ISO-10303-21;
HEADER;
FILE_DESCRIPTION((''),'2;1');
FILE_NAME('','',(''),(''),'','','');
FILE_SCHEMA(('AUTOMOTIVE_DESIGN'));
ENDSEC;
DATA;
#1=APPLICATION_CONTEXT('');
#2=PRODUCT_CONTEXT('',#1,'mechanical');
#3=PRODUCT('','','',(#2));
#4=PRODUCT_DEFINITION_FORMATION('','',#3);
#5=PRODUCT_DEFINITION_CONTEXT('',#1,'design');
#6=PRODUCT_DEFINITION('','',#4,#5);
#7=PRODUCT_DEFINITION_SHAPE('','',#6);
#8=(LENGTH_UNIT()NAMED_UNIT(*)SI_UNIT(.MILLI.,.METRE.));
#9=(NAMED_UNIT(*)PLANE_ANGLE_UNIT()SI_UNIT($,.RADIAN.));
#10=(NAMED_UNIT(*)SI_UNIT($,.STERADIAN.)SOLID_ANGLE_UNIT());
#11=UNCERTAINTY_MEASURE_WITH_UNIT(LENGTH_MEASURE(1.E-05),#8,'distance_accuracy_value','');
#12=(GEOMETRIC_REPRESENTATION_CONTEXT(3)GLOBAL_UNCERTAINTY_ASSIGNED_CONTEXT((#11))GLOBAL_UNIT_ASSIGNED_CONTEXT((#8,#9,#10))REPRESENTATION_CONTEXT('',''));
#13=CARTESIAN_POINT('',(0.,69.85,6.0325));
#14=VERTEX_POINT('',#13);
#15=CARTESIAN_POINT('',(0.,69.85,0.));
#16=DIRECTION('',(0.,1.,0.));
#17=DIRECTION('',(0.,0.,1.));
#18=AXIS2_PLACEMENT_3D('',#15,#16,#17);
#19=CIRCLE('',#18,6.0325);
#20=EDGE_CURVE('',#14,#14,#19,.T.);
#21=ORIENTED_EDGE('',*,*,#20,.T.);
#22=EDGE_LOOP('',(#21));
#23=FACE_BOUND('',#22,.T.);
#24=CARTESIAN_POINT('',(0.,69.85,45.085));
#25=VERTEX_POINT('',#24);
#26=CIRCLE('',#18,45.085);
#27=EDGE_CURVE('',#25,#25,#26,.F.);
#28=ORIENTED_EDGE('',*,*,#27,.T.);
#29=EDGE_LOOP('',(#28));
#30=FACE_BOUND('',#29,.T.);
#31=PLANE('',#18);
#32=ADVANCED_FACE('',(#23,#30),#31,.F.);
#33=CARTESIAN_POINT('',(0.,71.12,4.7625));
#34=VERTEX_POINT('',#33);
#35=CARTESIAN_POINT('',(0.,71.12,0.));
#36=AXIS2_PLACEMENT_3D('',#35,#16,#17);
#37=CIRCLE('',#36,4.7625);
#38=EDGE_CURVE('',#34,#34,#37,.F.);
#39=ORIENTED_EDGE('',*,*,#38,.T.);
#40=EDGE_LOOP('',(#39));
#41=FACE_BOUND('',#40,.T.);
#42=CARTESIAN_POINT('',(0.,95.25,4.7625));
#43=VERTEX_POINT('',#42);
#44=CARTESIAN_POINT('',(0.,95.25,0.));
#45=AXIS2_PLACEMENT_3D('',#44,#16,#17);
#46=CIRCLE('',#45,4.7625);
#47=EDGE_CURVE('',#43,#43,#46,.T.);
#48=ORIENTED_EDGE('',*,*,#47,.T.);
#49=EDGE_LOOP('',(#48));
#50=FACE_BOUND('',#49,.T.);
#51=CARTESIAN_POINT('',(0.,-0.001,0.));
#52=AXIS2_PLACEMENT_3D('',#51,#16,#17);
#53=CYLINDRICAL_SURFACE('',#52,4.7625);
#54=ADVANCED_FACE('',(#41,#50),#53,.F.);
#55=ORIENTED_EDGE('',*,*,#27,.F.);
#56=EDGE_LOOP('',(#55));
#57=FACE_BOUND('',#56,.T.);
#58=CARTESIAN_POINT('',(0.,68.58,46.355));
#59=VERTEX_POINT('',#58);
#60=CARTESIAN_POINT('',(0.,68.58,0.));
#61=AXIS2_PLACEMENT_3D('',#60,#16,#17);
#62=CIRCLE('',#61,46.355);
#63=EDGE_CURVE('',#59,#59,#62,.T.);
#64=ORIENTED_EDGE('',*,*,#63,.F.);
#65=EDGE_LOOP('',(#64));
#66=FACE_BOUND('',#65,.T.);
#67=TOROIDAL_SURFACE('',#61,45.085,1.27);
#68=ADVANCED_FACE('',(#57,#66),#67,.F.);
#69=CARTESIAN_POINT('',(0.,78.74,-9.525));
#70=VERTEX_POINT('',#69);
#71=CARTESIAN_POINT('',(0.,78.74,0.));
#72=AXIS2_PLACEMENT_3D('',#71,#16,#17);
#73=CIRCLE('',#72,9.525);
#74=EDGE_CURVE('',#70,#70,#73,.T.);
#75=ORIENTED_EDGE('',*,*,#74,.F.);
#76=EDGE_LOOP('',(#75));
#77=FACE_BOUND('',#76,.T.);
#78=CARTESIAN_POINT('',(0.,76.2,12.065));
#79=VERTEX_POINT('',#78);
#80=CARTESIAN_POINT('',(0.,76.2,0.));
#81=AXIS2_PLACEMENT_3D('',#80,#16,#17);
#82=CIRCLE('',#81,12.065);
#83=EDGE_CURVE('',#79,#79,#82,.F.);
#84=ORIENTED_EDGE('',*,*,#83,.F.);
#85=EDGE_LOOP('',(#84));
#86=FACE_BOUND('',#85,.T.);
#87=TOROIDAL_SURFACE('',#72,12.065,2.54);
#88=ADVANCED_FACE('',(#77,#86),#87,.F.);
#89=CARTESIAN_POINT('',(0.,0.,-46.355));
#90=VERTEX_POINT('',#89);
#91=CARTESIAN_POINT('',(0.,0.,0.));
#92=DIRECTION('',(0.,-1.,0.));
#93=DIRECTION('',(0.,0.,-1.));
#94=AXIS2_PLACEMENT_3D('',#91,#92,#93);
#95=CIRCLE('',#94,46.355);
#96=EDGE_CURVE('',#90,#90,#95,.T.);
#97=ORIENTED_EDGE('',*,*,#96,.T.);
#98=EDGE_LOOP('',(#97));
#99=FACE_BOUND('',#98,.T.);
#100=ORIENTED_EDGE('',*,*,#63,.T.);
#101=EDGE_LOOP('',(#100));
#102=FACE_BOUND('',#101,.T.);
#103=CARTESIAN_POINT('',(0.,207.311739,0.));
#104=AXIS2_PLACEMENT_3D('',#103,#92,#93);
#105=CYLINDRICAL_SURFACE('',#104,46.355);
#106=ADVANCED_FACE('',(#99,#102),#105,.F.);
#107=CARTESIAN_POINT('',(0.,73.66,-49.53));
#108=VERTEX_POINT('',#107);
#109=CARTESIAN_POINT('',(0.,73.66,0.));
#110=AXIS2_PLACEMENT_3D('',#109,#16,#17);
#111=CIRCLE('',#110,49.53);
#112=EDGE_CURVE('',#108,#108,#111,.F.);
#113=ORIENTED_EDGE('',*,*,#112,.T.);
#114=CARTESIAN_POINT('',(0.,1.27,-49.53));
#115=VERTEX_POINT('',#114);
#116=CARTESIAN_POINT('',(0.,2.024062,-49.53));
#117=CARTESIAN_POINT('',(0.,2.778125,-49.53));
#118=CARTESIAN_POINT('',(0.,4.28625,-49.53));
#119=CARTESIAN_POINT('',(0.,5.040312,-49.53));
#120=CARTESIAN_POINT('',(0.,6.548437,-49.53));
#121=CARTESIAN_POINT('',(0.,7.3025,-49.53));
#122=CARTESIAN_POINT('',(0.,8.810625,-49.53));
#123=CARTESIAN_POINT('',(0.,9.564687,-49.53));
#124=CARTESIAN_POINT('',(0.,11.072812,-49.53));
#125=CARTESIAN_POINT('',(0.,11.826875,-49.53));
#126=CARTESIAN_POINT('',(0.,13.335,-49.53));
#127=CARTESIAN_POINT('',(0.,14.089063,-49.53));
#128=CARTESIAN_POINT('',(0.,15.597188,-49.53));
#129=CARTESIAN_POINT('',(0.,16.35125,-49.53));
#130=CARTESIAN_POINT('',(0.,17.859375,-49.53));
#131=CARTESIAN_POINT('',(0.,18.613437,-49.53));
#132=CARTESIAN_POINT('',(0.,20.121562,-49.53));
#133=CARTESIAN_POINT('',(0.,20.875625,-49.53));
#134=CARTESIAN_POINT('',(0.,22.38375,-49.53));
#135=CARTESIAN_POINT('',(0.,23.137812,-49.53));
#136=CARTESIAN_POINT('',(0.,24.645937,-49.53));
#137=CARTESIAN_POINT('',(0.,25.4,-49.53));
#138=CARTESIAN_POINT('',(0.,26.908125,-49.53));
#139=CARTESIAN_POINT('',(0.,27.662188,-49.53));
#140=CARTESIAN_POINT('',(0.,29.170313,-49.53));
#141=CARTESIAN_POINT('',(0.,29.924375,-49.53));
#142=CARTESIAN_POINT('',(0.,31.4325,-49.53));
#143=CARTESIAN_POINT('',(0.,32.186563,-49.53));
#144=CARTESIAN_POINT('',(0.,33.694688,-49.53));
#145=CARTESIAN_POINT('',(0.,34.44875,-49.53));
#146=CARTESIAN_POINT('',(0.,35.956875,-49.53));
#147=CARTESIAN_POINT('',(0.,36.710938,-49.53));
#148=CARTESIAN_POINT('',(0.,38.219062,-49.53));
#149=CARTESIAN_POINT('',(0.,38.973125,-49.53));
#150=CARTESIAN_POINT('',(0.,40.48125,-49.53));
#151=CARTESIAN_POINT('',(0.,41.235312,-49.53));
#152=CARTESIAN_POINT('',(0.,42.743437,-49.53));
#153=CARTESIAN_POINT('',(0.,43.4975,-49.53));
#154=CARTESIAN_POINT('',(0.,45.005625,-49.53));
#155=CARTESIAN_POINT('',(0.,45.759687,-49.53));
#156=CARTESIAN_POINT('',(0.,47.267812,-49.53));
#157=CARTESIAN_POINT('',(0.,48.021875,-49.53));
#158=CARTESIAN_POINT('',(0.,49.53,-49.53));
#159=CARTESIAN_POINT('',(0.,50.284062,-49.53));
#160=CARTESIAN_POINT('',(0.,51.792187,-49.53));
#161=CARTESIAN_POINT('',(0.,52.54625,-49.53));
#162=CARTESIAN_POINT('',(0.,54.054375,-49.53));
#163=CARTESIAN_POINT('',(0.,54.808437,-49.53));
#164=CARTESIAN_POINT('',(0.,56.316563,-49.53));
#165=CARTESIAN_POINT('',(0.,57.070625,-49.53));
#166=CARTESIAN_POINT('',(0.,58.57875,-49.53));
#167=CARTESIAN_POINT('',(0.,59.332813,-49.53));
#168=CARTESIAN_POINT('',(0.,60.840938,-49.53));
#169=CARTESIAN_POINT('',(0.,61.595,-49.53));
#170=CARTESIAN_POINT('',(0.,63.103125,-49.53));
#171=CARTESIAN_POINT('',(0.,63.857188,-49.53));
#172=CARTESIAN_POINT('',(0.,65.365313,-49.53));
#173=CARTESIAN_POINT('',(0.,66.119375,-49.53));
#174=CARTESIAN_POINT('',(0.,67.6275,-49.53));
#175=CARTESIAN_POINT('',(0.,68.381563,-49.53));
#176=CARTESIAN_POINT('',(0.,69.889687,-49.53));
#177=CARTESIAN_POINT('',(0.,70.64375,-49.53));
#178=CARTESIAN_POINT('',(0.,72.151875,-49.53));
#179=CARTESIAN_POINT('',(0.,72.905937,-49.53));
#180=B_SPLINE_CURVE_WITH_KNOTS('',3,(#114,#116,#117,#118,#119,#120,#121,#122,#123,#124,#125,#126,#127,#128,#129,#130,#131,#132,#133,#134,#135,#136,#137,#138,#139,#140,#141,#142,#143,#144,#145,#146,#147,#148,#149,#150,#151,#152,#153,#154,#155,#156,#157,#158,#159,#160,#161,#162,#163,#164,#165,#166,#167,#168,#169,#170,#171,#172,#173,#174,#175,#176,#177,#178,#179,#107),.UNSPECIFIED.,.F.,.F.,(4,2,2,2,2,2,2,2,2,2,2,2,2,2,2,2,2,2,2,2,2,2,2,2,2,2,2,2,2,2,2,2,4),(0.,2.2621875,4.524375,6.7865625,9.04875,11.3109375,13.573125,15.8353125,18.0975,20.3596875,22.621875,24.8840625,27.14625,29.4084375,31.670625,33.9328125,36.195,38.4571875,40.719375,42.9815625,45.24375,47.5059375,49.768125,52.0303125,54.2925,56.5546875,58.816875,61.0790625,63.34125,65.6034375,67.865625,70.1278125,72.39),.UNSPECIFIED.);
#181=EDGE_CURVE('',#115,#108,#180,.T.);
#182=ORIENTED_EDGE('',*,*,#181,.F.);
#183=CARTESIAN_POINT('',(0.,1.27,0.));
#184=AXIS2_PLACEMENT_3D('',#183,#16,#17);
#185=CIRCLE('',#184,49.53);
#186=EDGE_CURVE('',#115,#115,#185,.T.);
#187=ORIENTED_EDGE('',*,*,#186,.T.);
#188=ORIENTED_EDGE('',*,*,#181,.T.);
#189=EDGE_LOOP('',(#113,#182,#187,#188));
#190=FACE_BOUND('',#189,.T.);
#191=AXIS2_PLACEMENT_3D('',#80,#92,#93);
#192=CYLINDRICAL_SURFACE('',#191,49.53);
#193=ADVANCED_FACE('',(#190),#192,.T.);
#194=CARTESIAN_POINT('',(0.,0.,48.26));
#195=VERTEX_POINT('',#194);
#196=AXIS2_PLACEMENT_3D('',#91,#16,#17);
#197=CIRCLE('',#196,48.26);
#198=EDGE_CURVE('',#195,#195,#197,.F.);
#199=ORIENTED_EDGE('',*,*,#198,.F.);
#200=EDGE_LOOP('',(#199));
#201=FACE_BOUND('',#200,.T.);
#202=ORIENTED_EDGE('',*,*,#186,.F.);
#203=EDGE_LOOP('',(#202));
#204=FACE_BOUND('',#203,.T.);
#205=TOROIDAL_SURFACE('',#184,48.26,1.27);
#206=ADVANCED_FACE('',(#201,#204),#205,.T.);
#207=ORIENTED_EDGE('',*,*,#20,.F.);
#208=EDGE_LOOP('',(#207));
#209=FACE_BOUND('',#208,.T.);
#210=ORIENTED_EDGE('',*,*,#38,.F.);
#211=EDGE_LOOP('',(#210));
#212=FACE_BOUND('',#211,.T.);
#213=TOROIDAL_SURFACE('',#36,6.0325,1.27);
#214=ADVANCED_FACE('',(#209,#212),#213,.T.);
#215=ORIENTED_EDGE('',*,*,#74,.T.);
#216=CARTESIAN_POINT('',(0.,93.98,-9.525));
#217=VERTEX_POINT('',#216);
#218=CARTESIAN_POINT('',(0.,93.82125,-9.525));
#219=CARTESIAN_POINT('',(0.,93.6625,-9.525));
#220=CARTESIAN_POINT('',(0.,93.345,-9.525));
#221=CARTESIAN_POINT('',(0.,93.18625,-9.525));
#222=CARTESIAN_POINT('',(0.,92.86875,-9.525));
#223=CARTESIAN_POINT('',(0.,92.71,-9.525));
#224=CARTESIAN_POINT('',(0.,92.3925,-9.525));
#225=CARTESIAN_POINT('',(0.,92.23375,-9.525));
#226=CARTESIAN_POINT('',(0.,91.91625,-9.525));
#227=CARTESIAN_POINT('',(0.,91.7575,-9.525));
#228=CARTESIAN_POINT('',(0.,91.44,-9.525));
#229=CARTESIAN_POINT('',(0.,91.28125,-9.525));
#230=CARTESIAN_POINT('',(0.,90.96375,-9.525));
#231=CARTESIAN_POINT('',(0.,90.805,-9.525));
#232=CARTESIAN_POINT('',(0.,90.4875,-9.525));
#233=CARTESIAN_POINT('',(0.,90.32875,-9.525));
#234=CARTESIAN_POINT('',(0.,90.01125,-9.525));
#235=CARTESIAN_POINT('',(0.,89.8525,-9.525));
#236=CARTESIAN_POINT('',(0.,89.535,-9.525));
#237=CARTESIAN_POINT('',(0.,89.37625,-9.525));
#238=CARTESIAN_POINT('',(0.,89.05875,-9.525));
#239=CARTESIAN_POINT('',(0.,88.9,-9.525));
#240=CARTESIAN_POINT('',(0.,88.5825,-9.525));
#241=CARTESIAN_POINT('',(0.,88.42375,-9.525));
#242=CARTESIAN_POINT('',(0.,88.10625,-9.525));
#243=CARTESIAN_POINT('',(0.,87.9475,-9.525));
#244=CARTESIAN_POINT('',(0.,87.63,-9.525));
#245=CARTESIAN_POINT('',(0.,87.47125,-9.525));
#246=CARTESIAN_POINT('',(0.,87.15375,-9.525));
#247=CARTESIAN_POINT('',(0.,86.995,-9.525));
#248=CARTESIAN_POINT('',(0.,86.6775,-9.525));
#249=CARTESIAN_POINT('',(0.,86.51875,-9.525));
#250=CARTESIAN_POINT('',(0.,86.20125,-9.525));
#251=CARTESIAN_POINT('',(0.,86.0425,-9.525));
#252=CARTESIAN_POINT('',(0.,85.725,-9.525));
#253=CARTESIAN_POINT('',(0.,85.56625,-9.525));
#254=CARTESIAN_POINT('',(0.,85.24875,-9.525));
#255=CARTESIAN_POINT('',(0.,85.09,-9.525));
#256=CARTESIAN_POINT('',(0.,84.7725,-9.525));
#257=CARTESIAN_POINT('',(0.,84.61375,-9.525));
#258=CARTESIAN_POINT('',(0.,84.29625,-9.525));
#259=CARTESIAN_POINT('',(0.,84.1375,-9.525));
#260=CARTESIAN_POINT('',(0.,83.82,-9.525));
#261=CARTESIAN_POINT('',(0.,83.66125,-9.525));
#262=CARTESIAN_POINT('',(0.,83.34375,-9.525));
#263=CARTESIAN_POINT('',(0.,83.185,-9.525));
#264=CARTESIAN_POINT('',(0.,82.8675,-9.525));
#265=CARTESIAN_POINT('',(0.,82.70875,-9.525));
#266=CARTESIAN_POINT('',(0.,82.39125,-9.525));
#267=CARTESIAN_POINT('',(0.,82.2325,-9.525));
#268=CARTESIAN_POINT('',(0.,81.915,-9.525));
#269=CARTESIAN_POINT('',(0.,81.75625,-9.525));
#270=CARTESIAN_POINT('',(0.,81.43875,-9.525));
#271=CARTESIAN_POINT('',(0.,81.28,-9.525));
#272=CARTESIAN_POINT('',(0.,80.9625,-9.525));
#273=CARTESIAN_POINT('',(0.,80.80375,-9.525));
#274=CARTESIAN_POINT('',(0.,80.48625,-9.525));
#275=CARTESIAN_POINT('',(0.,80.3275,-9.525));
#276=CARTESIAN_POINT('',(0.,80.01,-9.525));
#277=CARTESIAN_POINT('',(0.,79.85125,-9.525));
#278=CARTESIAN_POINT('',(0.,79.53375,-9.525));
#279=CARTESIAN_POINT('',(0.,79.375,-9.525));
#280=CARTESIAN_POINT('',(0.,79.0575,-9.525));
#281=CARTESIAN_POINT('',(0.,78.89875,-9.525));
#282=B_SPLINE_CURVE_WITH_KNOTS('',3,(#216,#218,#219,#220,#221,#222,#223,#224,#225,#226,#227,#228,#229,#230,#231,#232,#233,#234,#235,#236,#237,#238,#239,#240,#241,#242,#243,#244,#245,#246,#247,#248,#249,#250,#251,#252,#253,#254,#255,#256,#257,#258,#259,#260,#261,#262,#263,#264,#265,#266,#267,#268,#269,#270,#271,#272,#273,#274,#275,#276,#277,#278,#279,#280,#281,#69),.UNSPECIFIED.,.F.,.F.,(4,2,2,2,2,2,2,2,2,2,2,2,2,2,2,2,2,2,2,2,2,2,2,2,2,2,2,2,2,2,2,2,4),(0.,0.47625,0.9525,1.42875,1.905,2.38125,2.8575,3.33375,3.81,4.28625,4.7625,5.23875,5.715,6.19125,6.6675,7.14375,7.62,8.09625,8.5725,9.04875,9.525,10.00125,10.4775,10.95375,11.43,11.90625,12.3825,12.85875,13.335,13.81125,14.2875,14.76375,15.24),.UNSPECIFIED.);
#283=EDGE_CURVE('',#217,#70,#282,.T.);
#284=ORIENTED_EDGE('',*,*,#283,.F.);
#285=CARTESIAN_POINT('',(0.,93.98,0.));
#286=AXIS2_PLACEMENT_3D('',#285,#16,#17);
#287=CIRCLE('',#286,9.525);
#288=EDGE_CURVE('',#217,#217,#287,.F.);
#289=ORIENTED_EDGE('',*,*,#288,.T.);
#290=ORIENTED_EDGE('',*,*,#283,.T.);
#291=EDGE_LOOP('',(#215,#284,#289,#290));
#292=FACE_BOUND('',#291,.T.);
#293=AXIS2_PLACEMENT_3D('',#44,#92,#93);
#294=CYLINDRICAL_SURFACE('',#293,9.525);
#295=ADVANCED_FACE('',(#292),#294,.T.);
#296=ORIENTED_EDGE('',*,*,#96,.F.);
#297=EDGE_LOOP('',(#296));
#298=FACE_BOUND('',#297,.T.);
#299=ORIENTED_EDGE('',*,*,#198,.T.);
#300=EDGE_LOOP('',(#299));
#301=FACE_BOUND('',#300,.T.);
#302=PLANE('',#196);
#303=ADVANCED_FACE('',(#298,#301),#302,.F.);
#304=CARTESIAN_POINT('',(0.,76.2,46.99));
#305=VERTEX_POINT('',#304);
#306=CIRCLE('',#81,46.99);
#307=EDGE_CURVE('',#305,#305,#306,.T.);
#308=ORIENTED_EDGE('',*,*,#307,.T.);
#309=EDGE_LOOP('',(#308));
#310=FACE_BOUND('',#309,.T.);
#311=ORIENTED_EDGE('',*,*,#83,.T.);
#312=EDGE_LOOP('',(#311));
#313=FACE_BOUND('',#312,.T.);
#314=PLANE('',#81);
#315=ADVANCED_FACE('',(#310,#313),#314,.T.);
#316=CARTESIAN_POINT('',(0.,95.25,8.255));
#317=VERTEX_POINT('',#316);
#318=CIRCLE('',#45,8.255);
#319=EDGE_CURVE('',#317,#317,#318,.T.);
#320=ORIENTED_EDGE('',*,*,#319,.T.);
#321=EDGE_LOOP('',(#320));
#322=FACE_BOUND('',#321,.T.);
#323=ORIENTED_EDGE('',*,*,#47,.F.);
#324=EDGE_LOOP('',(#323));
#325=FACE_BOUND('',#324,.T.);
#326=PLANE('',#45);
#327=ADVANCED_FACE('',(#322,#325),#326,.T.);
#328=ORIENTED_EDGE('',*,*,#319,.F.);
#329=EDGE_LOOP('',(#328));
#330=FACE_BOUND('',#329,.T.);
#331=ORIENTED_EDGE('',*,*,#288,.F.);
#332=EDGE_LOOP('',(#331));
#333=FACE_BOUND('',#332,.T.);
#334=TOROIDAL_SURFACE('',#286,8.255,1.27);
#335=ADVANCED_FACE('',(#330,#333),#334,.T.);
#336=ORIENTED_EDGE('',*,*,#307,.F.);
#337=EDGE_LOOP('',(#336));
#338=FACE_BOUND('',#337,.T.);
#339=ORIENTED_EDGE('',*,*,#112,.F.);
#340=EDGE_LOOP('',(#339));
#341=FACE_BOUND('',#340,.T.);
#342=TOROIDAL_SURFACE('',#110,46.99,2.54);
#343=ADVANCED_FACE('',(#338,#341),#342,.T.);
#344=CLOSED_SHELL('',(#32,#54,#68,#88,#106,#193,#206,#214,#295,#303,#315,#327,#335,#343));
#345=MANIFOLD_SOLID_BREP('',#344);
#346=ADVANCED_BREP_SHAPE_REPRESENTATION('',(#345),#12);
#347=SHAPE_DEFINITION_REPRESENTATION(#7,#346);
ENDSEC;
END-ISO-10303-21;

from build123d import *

# Parameters (mm, degrees)
SKETCH1_R           = 49.53
BOSS_EXTRUDE1_DEPTH = 76.2
SKETCH2_R           = 46.355
CUT_EXTRUDE1_DEPTH  = 69.85
SKETCH4_R           = 9.525
BOSS_EXTRUDE2_DEPTH = 19.05
CUT_EXTRUDE2_REACH  = 120.233
SKETCH5_R           = 4.7625
FILLET1_R           = 2.54
FILLET2_R           = 1.27
FILLET3_R           = 1.27


with BuildPart() as part:
    # Sketch1 → Boss-Extrude1 (new body)
    with BuildSketch(Plane(origin=(0, 0, 0), x_dir=(1, 0, 0), z_dir=(0, 1, 0))):
        with Locations(Location((0, 0, 0), (0, 0, 90))):
            Circle(SKETCH1_R)
    extrude(amount=BOSS_EXTRUDE1_DEPTH)

    # Sketch2 → Cut-Extrude1 (cut)
    with BuildSketch(Plane.XZ):
        with Locations(Location((0, 0, 0), (0, 0, 270))):
            Circle(SKETCH2_R)
    extrude(amount=-CUT_EXTRUDE1_DEPTH, mode=Mode.SUBTRACT)

    # Sketch4 → Boss-Extrude2 (add)
    with BuildSketch(Plane(origin=(0, 76.2, 0), x_dir=(1, 0, 0), z_dir=(0, 1, 0))):
        with Locations(Location((0, 0, 0), (0, 0, 90))):
            Circle(SKETCH4_R)
    extrude(amount=BOSS_EXTRUDE2_DEPTH)

    # Sketch5 → Cut-Extrude2 (cut, up to next)
    with BuildSketch(Plane(origin=(0, 95.25, 0), x_dir=(1, 0, 0), z_dir=(0, 1, 0)), mode=Mode.PRIVATE) as cut_extrude2_sk1:
        with Locations(Location((0, 0, 0), (0, 0, 270))):
            Circle(SKETCH5_R)
    cut_extrude2_tool1 = extrude(cut_extrude2_sk1.sketch, amount=-CUT_EXTRUDE2_REACH, mode=Mode.PRIVATE) & part.part
    add(cut_extrude2_tool1.solids().sort_by_distance((0, 95.25, 0))[0], mode=Mode.SUBTRACT)

    # Fillet1
    fillet1_edges = [part.edges().sort_by_distance(p)[0] for p in [
        (0, 76.2, 9.525),
        (0, 76.2, 49.53),
    ]]
    fillet(fillet1_edges, radius=FILLET1_R)

    # Fillet2
    fillet2_edges = [part.edges().sort_by_distance(p)[0] for p in [
        (0, 95.25, 9.525),
        (0, 0, 49.53),
    ]]
    fillet(fillet2_edges, radius=FILLET2_R)

    # Fillet3
    fillet3_edges = [part.edges().sort_by_distance(p)[0] for p in [
        (0, 69.85, -4.7625),
        (0, 69.85, 46.355),
    ]]
    fillet(fillet3_edges, radius=FILLET3_R)


solid = part.part
